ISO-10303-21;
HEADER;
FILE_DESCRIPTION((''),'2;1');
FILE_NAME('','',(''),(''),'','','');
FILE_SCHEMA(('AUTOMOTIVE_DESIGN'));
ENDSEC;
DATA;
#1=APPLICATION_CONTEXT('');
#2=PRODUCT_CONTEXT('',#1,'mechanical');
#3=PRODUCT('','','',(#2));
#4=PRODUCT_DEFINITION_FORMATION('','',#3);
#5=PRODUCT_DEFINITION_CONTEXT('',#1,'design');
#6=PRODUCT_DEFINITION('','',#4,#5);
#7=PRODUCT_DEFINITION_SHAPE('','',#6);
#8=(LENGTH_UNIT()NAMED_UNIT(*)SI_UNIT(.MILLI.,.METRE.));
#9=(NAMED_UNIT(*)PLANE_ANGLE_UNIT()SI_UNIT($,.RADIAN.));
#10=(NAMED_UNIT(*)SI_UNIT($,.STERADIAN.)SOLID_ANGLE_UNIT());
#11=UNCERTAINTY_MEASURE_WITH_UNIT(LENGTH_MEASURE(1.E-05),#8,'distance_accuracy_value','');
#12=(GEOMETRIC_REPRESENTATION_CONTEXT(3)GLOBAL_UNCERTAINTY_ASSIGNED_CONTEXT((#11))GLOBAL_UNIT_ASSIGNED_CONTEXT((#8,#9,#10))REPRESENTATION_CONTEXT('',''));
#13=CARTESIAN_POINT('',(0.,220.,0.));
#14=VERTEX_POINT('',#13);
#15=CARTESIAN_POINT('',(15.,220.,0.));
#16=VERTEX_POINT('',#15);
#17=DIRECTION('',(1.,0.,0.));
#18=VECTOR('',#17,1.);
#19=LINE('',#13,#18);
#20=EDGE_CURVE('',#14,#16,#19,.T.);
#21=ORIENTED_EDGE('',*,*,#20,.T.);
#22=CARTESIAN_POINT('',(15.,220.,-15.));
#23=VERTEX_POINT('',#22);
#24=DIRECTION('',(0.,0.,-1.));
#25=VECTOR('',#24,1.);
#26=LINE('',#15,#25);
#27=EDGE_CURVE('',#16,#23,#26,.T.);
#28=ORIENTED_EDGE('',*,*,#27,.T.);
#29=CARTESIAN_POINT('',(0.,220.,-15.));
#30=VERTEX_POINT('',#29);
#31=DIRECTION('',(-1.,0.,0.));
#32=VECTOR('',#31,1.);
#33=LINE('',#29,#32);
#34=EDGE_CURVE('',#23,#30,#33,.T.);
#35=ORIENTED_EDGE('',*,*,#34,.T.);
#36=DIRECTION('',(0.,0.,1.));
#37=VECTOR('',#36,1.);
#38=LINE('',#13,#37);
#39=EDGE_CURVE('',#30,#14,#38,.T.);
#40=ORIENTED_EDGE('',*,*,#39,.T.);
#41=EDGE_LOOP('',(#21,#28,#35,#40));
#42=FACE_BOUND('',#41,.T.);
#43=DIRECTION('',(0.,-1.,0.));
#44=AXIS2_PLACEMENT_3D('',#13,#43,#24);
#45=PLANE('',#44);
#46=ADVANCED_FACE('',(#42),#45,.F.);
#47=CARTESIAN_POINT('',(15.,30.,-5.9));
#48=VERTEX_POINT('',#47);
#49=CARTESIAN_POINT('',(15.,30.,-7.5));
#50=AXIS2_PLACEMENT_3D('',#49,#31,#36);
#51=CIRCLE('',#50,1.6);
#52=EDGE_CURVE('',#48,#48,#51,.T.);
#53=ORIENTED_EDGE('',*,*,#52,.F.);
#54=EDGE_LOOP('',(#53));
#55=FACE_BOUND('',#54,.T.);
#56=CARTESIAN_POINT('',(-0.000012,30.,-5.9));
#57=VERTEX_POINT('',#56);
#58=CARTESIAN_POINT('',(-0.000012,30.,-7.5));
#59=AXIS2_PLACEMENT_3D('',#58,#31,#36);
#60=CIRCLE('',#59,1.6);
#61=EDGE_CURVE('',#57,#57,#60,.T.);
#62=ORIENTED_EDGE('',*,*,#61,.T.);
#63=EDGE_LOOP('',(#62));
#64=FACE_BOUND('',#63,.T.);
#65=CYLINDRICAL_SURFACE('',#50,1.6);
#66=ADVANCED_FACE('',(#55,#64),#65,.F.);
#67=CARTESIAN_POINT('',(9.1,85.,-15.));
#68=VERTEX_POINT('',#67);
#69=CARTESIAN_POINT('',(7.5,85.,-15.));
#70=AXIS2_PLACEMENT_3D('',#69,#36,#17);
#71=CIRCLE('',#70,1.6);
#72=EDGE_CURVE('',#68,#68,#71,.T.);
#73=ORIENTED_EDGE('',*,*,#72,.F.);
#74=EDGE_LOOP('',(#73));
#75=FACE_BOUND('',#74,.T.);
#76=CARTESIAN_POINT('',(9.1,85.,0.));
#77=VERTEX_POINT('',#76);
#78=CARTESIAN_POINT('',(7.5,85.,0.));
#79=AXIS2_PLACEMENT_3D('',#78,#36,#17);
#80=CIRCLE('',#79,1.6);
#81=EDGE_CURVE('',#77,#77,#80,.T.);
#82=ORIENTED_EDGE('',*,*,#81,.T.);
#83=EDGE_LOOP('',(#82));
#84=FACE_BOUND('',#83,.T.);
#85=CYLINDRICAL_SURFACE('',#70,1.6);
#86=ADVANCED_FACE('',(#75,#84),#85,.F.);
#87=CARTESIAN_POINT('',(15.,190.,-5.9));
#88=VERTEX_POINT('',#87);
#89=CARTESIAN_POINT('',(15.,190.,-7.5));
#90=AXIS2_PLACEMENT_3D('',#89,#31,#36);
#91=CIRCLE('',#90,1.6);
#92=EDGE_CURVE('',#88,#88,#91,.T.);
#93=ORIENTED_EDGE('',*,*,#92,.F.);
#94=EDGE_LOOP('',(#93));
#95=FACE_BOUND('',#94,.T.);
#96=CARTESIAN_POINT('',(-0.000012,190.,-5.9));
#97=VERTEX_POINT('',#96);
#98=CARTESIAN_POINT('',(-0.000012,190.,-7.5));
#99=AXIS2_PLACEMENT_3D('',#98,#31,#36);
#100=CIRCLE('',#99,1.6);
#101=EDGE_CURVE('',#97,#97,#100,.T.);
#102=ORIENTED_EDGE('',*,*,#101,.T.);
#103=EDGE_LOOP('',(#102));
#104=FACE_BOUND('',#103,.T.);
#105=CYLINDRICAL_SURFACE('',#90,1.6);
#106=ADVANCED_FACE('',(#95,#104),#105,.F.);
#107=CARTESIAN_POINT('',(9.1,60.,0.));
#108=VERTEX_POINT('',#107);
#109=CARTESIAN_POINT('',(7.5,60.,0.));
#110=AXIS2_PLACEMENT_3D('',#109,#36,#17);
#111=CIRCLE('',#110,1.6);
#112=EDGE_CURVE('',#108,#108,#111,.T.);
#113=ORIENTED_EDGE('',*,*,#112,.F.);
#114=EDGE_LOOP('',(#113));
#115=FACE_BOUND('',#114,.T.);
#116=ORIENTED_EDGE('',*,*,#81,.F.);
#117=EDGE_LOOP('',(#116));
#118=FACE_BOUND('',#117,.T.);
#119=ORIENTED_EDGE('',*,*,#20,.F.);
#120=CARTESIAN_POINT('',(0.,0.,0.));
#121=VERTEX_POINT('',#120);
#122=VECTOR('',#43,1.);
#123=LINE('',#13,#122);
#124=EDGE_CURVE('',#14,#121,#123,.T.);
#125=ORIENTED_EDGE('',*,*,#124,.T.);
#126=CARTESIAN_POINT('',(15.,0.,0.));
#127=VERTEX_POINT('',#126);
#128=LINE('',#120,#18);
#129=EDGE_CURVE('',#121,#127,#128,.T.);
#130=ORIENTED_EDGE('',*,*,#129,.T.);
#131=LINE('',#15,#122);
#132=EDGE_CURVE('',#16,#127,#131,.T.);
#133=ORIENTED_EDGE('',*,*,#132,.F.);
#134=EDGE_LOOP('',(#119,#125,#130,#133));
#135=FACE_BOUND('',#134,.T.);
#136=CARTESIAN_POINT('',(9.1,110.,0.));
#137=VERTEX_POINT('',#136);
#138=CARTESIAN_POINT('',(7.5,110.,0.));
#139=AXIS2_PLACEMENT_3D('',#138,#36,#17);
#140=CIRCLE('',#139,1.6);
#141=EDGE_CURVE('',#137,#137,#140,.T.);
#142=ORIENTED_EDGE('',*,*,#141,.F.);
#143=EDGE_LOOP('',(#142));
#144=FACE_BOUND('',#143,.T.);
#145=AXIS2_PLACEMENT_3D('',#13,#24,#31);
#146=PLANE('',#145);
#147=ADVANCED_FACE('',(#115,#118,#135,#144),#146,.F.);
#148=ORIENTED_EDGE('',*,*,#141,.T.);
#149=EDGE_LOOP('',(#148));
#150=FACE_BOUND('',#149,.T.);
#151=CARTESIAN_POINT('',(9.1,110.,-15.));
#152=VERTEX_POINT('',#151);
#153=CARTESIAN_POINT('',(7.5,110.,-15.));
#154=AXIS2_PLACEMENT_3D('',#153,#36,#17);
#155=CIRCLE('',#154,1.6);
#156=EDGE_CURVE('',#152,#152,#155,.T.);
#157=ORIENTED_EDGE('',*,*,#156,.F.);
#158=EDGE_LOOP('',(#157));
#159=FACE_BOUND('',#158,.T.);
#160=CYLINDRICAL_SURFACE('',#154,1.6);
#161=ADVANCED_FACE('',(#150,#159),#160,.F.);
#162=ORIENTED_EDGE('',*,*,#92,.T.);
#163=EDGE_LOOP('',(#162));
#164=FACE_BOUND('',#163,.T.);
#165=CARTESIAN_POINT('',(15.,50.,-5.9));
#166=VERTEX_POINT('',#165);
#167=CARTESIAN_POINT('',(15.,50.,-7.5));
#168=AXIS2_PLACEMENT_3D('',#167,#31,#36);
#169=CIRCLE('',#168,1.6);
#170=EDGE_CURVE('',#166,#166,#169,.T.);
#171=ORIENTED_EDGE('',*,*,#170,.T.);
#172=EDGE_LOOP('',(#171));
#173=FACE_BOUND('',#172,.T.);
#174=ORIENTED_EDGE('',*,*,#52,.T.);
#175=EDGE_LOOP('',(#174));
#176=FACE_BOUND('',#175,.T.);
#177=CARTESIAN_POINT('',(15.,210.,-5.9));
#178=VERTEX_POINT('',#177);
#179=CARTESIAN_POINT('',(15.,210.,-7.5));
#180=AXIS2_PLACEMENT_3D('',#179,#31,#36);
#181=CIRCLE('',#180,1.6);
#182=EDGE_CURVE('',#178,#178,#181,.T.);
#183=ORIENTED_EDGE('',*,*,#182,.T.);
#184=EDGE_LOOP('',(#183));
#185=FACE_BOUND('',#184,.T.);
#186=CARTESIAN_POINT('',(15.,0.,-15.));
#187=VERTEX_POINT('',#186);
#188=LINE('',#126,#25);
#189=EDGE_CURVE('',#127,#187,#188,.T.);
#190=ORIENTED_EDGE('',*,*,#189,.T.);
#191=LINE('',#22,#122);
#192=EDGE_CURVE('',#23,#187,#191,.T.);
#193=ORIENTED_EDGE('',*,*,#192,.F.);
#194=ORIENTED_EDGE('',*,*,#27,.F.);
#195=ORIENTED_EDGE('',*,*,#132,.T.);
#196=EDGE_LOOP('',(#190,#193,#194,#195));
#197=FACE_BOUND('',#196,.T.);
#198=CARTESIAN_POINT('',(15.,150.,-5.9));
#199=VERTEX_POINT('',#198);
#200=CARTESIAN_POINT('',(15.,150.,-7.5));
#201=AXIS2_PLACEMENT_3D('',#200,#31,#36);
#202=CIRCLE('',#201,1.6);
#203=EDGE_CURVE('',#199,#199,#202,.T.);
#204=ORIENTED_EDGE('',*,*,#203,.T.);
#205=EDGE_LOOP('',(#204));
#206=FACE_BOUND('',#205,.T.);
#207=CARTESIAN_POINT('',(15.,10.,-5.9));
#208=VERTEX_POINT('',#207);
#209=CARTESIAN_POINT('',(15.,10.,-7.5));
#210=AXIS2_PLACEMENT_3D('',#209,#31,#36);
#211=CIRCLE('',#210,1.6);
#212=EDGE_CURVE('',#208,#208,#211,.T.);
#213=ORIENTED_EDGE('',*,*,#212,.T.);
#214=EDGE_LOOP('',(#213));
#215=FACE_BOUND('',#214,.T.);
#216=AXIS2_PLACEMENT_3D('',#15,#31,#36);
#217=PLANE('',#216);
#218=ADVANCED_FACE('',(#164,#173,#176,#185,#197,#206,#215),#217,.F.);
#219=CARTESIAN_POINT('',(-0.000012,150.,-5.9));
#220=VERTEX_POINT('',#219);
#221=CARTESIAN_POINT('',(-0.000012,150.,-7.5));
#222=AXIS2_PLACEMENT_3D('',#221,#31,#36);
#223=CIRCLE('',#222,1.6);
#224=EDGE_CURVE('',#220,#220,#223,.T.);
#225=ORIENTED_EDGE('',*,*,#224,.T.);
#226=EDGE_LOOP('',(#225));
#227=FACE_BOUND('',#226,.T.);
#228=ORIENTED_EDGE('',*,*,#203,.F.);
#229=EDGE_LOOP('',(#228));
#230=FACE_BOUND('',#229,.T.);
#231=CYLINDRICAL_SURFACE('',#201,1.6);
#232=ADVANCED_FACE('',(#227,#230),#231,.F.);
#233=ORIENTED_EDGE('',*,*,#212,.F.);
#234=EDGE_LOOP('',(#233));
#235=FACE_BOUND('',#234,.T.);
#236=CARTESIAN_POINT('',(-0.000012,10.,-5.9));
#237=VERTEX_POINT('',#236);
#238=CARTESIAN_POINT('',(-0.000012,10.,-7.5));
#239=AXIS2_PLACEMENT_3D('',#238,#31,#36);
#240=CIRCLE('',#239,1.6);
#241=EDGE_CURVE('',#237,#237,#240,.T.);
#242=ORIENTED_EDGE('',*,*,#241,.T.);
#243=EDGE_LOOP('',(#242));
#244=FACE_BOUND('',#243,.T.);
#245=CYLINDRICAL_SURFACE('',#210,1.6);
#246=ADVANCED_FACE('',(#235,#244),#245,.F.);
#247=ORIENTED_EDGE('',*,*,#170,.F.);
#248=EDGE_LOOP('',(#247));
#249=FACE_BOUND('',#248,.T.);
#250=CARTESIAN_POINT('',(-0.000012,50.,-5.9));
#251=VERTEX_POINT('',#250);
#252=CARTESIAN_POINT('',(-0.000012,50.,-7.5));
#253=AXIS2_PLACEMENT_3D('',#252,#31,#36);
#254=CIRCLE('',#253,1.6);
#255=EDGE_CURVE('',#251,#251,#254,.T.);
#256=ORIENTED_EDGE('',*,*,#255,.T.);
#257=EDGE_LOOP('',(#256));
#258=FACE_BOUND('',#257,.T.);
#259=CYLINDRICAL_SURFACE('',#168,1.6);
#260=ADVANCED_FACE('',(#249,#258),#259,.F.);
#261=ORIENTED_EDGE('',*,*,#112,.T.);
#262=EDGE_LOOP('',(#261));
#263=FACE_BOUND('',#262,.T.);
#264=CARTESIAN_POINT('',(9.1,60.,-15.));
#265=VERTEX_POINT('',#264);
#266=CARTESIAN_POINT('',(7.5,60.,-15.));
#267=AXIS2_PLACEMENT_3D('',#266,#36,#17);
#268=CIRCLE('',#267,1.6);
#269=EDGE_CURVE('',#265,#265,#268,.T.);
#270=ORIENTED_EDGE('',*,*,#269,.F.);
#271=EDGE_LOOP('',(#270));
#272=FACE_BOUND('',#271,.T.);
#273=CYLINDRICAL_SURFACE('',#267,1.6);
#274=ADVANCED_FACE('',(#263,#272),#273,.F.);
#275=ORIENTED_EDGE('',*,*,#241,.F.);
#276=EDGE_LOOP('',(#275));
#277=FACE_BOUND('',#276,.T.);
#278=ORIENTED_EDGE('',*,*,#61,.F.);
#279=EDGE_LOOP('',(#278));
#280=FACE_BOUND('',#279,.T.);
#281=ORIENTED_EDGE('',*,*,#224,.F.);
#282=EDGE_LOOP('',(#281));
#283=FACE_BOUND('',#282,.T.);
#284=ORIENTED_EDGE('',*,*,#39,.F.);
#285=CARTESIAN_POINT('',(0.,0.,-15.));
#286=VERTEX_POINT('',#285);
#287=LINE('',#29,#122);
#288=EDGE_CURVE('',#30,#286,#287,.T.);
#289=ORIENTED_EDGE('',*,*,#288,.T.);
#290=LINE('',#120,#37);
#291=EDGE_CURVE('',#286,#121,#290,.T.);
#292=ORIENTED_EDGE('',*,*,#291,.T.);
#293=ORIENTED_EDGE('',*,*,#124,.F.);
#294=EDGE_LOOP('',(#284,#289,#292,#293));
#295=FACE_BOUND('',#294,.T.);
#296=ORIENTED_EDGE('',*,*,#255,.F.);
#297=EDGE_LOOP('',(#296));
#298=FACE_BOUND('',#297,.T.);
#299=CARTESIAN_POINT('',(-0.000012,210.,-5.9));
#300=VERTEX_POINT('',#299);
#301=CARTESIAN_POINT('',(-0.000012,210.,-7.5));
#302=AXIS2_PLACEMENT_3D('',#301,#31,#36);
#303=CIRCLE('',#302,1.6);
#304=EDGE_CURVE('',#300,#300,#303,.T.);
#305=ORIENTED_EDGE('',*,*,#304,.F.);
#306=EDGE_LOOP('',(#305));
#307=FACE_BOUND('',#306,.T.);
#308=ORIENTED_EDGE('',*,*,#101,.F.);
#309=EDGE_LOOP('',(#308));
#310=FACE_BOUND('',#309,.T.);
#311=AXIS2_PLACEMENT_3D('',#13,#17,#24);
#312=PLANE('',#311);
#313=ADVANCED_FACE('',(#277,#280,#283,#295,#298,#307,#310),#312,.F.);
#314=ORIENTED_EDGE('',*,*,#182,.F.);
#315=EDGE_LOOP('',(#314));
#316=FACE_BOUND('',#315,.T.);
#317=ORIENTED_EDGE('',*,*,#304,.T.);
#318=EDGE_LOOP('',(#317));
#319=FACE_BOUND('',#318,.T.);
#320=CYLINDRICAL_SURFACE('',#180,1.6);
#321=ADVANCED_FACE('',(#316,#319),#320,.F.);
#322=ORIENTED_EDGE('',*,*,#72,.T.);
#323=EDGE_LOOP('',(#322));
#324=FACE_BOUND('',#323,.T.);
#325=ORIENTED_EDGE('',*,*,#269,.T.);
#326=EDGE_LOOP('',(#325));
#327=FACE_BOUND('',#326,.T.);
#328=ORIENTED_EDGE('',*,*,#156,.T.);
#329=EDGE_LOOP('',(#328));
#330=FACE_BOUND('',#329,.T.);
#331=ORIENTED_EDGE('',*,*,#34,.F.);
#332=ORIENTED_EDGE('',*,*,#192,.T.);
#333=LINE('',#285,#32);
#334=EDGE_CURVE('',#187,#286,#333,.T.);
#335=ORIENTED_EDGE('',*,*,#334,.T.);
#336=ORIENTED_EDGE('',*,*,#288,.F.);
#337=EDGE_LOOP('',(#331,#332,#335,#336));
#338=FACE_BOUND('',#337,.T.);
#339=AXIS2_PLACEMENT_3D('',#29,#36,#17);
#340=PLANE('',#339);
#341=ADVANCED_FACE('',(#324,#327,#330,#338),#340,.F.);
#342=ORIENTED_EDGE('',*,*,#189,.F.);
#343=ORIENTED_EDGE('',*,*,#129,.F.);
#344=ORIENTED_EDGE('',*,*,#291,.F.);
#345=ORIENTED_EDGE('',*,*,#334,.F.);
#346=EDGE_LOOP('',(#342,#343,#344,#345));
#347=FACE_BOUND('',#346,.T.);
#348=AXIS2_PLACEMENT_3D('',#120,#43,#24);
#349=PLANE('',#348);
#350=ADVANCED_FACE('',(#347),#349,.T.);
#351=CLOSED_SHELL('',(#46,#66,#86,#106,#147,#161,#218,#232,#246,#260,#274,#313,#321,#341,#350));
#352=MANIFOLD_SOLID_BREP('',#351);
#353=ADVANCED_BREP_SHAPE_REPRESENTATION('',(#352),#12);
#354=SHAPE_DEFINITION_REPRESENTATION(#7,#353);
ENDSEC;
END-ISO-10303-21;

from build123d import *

# Parameters (mm, degrees)
SKETCH_1_W               = 15
SKETCH_1_H               = 15
EXTRUDE_1_DEPTH          = 220
SKETCH_2_R               = 1.6
CUT_EXTRUDE_1_DEPTH      = 222.020361053
CUT_EXTRUDE_2_DEPTH      = 222.020361053
CUT_EXTRUDE_2_DEPTH_BACK = 222.020361053
SKETCH_3_R               = 1.6


with BuildPart() as part:
    # 草图1 → 凸台-拉伸1 (new body)
    with BuildSketch(Plane(origin=(0, 0, 0), x_dir=(1, 0, 0), z_dir=(0, 1, 0))):
        with Locations((7.5, 7.5)):
            Rectangle(SKETCH_1_W, SKETCH_1_H)
    extrude(amount=EXTRUDE_1_DEPTH)

    # 草图2 → 切除-拉伸1 (cut, through all)
    with BuildSketch(Plane.XY):
        with Locations((7.5, 60)):
            Circle(SKETCH_2_R)
        with Locations((7.5, 85)):
            Circle(SKETCH_2_R)
        with Locations((7.5, 110)):
            Circle(SKETCH_2_R)
    extrude(amount=-CUT_EXTRUDE_1_DEPTH, mode=Mode.SUBTRACT)

    # 草图3 → 切除-拉伸2 (cut, two sides: drawn at the far end of the back side and taken through both)
    with BuildSketch(Plane.ZY.offset(-CUT_EXTRUDE_2_DEPTH_BACK)):
        with Locations((-7.5, 50)):
            Circle(SKETCH_3_R)
        with Locations((-7.5, 10)):
            Circle(SKETCH_3_R)
        with Locations((-7.5, 30)):
            Circle(SKETCH_3_R)
        with Locations((-7.5, 210)):
            Circle(SKETCH_3_R)
        with Locations((-7.5, 190)):
            Circle(SKETCH_3_R)
        with Locations((-7.5, 150)):
            Circle(SKETCH_3_R)
    extrude(amount=CUT_EXTRUDE_2_DEPTH + CUT_EXTRUDE_2_DEPTH_BACK, mode=Mode.SUBTRACT)


solid = part.part
